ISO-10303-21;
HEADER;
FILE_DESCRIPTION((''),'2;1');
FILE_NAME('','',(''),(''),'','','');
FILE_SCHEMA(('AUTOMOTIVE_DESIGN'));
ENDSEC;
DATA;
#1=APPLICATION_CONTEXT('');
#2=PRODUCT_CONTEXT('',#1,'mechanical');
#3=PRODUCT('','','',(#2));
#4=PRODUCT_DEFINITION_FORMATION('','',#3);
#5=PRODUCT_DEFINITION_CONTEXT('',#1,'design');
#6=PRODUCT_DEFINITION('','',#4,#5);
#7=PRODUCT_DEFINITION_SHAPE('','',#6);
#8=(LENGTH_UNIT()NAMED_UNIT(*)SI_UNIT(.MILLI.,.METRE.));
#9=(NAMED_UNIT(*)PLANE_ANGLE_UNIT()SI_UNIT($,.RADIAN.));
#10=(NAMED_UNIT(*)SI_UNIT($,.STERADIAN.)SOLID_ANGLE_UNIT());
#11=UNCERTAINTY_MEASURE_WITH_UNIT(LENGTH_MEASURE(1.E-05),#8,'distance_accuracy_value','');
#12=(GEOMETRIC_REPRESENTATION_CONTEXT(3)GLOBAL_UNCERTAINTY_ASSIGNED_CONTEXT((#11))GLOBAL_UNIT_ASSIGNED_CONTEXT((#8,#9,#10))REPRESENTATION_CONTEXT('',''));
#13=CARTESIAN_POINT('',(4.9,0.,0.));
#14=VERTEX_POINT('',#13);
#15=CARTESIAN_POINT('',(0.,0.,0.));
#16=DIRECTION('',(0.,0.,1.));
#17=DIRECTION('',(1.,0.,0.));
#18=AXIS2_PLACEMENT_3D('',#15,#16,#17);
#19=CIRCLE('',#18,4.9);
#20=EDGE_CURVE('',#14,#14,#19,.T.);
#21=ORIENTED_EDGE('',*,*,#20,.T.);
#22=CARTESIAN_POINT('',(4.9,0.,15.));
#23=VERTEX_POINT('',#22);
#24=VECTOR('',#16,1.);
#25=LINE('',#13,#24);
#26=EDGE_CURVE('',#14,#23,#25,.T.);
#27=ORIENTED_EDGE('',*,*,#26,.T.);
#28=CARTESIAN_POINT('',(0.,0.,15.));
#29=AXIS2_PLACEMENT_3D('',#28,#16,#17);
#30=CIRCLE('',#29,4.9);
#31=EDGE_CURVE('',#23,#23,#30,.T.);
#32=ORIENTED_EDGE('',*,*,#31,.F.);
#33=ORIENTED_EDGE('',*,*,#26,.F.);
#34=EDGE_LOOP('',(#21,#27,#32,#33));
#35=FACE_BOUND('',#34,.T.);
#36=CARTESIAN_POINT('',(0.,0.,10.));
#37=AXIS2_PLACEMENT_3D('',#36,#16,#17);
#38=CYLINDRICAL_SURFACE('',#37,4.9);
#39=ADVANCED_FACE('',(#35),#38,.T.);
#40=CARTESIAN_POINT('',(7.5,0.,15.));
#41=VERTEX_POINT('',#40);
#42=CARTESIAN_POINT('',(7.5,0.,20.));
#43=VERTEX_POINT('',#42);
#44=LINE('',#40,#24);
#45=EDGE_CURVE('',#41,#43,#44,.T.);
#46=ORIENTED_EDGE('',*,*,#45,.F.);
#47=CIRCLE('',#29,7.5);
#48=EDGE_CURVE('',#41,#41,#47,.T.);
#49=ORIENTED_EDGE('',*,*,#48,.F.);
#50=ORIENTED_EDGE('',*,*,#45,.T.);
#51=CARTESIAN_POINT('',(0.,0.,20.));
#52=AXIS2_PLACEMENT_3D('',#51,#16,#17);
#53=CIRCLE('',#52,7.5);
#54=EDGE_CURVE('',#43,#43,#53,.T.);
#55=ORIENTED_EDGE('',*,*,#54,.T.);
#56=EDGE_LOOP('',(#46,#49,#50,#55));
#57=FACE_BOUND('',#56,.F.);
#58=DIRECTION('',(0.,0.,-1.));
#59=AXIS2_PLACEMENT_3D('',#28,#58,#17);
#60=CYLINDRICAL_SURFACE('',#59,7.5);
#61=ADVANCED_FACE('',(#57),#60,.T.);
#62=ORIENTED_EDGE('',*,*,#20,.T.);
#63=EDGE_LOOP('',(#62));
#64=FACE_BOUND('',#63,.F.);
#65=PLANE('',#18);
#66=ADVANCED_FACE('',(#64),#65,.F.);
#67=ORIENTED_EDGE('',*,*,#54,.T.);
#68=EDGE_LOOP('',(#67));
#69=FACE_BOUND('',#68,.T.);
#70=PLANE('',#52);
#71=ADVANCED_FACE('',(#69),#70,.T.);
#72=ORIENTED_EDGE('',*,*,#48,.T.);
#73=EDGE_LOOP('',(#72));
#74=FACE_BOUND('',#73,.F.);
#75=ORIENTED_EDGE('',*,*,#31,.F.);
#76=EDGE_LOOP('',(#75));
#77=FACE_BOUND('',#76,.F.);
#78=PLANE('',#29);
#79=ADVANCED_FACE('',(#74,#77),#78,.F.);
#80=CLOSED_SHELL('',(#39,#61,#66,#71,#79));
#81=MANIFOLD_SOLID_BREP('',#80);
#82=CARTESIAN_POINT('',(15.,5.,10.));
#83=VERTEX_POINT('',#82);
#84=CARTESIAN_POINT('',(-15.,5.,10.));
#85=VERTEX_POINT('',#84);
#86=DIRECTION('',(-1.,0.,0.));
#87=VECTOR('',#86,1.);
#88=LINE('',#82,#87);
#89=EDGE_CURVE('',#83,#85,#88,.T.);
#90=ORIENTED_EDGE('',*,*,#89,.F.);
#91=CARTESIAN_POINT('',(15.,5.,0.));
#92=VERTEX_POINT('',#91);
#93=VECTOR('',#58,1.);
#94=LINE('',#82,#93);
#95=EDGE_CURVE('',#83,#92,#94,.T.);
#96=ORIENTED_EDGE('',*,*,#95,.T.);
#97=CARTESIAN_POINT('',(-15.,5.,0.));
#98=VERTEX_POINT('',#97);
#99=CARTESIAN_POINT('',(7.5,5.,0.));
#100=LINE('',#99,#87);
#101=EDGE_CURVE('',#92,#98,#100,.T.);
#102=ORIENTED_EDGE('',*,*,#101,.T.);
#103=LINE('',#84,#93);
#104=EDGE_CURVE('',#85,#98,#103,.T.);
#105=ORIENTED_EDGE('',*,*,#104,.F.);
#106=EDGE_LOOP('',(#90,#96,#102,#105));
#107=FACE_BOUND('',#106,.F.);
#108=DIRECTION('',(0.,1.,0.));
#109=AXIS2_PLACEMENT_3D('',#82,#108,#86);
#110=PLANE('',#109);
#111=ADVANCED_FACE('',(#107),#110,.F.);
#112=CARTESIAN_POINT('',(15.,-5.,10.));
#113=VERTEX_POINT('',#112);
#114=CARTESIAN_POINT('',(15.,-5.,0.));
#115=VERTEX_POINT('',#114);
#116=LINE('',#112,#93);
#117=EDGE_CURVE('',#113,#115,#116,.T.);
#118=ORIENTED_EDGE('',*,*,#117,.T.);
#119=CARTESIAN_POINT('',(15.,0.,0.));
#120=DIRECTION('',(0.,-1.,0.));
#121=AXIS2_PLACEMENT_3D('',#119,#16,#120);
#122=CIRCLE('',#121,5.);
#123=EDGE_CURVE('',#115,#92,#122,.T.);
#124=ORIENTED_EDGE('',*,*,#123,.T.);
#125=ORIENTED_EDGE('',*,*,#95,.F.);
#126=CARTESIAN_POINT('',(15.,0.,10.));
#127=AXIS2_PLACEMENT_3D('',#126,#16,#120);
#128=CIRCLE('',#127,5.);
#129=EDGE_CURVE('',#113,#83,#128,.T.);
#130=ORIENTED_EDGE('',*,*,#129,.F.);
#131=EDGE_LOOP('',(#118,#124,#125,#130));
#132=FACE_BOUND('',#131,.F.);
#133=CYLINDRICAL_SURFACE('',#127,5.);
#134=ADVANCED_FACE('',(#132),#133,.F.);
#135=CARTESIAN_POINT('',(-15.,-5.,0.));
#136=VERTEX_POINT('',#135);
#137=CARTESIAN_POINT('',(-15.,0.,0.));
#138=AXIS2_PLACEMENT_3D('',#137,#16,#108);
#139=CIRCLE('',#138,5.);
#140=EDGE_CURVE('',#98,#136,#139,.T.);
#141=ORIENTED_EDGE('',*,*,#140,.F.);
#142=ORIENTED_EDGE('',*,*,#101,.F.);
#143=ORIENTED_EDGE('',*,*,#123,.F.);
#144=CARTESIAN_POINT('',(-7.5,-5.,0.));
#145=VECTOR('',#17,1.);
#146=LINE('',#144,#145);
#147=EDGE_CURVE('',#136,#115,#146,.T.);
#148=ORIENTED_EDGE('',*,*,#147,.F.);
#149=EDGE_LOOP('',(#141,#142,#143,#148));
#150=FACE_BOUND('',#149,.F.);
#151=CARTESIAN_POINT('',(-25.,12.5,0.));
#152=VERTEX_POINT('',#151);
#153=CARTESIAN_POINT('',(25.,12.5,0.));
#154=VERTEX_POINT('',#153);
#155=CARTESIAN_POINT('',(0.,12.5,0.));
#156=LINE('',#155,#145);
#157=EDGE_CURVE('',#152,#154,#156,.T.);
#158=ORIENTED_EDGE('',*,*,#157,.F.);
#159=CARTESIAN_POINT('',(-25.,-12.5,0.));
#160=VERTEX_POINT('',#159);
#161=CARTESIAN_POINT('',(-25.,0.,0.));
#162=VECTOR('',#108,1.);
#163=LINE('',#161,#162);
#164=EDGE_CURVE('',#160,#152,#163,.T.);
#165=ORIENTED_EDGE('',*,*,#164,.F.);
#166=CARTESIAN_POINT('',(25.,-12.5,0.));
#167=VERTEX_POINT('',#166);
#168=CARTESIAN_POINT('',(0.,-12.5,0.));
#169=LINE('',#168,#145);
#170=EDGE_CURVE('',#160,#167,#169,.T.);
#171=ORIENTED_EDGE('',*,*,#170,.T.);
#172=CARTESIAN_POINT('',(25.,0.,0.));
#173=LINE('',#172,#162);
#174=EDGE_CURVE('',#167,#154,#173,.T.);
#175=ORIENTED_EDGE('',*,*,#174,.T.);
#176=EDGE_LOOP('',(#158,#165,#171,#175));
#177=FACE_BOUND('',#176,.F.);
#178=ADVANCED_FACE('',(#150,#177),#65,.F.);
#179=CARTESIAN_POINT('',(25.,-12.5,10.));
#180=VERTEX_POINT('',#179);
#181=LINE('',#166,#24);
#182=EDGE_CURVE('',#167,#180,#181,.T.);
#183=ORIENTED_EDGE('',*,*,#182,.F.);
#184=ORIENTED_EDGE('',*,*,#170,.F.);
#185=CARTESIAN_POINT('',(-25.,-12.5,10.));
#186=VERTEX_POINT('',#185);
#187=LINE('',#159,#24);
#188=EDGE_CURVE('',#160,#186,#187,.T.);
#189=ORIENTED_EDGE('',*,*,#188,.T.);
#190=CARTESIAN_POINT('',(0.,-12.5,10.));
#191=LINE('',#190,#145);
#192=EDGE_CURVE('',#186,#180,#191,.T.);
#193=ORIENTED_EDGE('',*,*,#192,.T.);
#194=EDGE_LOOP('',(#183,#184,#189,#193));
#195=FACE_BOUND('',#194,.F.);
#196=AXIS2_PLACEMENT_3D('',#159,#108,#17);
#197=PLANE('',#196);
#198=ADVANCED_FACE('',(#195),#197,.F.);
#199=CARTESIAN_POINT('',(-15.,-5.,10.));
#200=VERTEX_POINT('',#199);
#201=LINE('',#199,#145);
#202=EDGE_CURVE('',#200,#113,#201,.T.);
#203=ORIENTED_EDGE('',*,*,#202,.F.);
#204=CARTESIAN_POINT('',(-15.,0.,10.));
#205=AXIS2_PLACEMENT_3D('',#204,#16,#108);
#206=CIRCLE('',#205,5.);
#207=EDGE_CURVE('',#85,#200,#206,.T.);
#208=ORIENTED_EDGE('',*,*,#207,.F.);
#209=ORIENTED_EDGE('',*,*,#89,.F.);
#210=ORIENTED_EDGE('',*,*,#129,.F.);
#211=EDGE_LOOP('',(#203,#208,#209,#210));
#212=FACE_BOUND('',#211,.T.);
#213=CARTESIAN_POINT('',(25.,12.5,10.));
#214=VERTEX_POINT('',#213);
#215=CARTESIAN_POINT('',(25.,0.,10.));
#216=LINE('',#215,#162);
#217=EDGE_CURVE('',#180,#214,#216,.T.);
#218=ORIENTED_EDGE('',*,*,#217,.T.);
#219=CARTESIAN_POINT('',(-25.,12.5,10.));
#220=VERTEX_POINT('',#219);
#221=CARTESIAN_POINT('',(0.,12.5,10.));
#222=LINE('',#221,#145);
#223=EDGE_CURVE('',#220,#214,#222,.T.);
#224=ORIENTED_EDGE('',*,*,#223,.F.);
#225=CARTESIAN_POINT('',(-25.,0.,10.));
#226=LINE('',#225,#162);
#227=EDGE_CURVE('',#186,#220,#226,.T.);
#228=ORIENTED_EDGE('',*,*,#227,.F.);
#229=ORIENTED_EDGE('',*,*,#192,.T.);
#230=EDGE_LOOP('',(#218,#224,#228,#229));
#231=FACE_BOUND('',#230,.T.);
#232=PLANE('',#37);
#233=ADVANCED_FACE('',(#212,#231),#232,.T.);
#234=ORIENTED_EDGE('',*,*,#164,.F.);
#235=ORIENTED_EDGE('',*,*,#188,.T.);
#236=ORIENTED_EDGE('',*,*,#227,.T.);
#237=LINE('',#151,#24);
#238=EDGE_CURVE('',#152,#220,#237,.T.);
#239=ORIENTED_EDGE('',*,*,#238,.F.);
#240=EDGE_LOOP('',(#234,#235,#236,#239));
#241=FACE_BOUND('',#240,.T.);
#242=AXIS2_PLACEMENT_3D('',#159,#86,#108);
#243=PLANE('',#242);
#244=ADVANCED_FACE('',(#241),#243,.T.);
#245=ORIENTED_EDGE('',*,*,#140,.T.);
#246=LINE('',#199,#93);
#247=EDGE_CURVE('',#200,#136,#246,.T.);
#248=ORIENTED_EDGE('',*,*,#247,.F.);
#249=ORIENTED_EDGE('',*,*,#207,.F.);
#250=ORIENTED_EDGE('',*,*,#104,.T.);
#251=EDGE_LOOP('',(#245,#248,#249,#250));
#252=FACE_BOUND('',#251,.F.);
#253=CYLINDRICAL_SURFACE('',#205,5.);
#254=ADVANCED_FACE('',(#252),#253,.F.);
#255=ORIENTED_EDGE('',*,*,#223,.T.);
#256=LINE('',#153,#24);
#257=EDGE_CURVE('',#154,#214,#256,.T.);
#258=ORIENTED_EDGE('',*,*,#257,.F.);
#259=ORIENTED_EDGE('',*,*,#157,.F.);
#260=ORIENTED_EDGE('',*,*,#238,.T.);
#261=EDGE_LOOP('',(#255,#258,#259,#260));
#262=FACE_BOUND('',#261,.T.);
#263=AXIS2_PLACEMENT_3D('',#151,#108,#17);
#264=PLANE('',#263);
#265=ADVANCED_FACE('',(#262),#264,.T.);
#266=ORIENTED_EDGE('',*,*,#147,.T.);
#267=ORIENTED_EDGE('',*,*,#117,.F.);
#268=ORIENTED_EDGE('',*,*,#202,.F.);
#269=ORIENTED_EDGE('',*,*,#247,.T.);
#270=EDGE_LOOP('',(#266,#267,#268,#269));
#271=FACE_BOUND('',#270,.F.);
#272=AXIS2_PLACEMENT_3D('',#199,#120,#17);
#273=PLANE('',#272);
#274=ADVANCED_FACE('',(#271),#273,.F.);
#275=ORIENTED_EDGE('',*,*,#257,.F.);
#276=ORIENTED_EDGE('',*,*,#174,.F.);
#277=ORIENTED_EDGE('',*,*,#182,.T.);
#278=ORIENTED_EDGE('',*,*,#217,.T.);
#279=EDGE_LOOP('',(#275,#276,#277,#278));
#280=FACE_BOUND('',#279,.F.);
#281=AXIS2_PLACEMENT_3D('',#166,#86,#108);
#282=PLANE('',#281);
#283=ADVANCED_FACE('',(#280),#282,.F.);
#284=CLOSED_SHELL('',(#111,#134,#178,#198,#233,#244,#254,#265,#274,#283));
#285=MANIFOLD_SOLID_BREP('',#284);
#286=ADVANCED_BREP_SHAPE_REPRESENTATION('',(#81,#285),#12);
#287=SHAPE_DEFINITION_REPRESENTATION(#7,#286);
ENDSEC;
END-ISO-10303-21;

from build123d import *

# Parameters (mm, degrees)
F0_W          = 50
F0_H          = 25
F1_DEPTH      = 10
F3_DEPTH      = 10.001
F4_R          = 4.9
F5_DEPTH      = 5
F5_DEPTH_BACK = 10
F6_R          = 7.5
F6_R_2        = 4.9
F7_DEPTH      = 5


with BuildPart() as f1:
    # F0 (on Top) → F1 (new body)
    with BuildSketch(Plane.XY):
        Rectangle(F0_W, F0_H)
    extrude(amount=F1_DEPTH)

    # F2 (on face) → F3 (cut, through all)
    with BuildSketch(Plane.XY.offset(10)):
        with BuildLine():
            ThreePointArc((15, -5), (20, 0), (15, 5))
            Line((15, 5), (-15, 5))
            ThreePointArc((-15, 5), (-20, 0), (-15, -5))
            Line((-15, -5), (15, -5))
        make_face()
    extrude(amount=-F3_DEPTH, mode=Mode.SUBTRACT)


with BuildPart() as f5:
    # F4 (on face) → F5 (new body, two sides)
    with BuildSketch(Plane.XY.offset(10)) as f5_sk:
        Circle(F4_R)
    extrude(amount=F5_DEPTH)
    extrude(f5_sk.sketch, amount=-F5_DEPTH_BACK)

    # F6 (on face) → F7 (join)
    with BuildSketch(Plane.XY.offset(15)):
        Circle(F6_R)
        Circle(F6_R_2, mode=Mode.SUBTRACT)
        Circle(F6_R_2)
    extrude(amount=F7_DEPTH)


solid = Compound([f1.part, f5.part])
